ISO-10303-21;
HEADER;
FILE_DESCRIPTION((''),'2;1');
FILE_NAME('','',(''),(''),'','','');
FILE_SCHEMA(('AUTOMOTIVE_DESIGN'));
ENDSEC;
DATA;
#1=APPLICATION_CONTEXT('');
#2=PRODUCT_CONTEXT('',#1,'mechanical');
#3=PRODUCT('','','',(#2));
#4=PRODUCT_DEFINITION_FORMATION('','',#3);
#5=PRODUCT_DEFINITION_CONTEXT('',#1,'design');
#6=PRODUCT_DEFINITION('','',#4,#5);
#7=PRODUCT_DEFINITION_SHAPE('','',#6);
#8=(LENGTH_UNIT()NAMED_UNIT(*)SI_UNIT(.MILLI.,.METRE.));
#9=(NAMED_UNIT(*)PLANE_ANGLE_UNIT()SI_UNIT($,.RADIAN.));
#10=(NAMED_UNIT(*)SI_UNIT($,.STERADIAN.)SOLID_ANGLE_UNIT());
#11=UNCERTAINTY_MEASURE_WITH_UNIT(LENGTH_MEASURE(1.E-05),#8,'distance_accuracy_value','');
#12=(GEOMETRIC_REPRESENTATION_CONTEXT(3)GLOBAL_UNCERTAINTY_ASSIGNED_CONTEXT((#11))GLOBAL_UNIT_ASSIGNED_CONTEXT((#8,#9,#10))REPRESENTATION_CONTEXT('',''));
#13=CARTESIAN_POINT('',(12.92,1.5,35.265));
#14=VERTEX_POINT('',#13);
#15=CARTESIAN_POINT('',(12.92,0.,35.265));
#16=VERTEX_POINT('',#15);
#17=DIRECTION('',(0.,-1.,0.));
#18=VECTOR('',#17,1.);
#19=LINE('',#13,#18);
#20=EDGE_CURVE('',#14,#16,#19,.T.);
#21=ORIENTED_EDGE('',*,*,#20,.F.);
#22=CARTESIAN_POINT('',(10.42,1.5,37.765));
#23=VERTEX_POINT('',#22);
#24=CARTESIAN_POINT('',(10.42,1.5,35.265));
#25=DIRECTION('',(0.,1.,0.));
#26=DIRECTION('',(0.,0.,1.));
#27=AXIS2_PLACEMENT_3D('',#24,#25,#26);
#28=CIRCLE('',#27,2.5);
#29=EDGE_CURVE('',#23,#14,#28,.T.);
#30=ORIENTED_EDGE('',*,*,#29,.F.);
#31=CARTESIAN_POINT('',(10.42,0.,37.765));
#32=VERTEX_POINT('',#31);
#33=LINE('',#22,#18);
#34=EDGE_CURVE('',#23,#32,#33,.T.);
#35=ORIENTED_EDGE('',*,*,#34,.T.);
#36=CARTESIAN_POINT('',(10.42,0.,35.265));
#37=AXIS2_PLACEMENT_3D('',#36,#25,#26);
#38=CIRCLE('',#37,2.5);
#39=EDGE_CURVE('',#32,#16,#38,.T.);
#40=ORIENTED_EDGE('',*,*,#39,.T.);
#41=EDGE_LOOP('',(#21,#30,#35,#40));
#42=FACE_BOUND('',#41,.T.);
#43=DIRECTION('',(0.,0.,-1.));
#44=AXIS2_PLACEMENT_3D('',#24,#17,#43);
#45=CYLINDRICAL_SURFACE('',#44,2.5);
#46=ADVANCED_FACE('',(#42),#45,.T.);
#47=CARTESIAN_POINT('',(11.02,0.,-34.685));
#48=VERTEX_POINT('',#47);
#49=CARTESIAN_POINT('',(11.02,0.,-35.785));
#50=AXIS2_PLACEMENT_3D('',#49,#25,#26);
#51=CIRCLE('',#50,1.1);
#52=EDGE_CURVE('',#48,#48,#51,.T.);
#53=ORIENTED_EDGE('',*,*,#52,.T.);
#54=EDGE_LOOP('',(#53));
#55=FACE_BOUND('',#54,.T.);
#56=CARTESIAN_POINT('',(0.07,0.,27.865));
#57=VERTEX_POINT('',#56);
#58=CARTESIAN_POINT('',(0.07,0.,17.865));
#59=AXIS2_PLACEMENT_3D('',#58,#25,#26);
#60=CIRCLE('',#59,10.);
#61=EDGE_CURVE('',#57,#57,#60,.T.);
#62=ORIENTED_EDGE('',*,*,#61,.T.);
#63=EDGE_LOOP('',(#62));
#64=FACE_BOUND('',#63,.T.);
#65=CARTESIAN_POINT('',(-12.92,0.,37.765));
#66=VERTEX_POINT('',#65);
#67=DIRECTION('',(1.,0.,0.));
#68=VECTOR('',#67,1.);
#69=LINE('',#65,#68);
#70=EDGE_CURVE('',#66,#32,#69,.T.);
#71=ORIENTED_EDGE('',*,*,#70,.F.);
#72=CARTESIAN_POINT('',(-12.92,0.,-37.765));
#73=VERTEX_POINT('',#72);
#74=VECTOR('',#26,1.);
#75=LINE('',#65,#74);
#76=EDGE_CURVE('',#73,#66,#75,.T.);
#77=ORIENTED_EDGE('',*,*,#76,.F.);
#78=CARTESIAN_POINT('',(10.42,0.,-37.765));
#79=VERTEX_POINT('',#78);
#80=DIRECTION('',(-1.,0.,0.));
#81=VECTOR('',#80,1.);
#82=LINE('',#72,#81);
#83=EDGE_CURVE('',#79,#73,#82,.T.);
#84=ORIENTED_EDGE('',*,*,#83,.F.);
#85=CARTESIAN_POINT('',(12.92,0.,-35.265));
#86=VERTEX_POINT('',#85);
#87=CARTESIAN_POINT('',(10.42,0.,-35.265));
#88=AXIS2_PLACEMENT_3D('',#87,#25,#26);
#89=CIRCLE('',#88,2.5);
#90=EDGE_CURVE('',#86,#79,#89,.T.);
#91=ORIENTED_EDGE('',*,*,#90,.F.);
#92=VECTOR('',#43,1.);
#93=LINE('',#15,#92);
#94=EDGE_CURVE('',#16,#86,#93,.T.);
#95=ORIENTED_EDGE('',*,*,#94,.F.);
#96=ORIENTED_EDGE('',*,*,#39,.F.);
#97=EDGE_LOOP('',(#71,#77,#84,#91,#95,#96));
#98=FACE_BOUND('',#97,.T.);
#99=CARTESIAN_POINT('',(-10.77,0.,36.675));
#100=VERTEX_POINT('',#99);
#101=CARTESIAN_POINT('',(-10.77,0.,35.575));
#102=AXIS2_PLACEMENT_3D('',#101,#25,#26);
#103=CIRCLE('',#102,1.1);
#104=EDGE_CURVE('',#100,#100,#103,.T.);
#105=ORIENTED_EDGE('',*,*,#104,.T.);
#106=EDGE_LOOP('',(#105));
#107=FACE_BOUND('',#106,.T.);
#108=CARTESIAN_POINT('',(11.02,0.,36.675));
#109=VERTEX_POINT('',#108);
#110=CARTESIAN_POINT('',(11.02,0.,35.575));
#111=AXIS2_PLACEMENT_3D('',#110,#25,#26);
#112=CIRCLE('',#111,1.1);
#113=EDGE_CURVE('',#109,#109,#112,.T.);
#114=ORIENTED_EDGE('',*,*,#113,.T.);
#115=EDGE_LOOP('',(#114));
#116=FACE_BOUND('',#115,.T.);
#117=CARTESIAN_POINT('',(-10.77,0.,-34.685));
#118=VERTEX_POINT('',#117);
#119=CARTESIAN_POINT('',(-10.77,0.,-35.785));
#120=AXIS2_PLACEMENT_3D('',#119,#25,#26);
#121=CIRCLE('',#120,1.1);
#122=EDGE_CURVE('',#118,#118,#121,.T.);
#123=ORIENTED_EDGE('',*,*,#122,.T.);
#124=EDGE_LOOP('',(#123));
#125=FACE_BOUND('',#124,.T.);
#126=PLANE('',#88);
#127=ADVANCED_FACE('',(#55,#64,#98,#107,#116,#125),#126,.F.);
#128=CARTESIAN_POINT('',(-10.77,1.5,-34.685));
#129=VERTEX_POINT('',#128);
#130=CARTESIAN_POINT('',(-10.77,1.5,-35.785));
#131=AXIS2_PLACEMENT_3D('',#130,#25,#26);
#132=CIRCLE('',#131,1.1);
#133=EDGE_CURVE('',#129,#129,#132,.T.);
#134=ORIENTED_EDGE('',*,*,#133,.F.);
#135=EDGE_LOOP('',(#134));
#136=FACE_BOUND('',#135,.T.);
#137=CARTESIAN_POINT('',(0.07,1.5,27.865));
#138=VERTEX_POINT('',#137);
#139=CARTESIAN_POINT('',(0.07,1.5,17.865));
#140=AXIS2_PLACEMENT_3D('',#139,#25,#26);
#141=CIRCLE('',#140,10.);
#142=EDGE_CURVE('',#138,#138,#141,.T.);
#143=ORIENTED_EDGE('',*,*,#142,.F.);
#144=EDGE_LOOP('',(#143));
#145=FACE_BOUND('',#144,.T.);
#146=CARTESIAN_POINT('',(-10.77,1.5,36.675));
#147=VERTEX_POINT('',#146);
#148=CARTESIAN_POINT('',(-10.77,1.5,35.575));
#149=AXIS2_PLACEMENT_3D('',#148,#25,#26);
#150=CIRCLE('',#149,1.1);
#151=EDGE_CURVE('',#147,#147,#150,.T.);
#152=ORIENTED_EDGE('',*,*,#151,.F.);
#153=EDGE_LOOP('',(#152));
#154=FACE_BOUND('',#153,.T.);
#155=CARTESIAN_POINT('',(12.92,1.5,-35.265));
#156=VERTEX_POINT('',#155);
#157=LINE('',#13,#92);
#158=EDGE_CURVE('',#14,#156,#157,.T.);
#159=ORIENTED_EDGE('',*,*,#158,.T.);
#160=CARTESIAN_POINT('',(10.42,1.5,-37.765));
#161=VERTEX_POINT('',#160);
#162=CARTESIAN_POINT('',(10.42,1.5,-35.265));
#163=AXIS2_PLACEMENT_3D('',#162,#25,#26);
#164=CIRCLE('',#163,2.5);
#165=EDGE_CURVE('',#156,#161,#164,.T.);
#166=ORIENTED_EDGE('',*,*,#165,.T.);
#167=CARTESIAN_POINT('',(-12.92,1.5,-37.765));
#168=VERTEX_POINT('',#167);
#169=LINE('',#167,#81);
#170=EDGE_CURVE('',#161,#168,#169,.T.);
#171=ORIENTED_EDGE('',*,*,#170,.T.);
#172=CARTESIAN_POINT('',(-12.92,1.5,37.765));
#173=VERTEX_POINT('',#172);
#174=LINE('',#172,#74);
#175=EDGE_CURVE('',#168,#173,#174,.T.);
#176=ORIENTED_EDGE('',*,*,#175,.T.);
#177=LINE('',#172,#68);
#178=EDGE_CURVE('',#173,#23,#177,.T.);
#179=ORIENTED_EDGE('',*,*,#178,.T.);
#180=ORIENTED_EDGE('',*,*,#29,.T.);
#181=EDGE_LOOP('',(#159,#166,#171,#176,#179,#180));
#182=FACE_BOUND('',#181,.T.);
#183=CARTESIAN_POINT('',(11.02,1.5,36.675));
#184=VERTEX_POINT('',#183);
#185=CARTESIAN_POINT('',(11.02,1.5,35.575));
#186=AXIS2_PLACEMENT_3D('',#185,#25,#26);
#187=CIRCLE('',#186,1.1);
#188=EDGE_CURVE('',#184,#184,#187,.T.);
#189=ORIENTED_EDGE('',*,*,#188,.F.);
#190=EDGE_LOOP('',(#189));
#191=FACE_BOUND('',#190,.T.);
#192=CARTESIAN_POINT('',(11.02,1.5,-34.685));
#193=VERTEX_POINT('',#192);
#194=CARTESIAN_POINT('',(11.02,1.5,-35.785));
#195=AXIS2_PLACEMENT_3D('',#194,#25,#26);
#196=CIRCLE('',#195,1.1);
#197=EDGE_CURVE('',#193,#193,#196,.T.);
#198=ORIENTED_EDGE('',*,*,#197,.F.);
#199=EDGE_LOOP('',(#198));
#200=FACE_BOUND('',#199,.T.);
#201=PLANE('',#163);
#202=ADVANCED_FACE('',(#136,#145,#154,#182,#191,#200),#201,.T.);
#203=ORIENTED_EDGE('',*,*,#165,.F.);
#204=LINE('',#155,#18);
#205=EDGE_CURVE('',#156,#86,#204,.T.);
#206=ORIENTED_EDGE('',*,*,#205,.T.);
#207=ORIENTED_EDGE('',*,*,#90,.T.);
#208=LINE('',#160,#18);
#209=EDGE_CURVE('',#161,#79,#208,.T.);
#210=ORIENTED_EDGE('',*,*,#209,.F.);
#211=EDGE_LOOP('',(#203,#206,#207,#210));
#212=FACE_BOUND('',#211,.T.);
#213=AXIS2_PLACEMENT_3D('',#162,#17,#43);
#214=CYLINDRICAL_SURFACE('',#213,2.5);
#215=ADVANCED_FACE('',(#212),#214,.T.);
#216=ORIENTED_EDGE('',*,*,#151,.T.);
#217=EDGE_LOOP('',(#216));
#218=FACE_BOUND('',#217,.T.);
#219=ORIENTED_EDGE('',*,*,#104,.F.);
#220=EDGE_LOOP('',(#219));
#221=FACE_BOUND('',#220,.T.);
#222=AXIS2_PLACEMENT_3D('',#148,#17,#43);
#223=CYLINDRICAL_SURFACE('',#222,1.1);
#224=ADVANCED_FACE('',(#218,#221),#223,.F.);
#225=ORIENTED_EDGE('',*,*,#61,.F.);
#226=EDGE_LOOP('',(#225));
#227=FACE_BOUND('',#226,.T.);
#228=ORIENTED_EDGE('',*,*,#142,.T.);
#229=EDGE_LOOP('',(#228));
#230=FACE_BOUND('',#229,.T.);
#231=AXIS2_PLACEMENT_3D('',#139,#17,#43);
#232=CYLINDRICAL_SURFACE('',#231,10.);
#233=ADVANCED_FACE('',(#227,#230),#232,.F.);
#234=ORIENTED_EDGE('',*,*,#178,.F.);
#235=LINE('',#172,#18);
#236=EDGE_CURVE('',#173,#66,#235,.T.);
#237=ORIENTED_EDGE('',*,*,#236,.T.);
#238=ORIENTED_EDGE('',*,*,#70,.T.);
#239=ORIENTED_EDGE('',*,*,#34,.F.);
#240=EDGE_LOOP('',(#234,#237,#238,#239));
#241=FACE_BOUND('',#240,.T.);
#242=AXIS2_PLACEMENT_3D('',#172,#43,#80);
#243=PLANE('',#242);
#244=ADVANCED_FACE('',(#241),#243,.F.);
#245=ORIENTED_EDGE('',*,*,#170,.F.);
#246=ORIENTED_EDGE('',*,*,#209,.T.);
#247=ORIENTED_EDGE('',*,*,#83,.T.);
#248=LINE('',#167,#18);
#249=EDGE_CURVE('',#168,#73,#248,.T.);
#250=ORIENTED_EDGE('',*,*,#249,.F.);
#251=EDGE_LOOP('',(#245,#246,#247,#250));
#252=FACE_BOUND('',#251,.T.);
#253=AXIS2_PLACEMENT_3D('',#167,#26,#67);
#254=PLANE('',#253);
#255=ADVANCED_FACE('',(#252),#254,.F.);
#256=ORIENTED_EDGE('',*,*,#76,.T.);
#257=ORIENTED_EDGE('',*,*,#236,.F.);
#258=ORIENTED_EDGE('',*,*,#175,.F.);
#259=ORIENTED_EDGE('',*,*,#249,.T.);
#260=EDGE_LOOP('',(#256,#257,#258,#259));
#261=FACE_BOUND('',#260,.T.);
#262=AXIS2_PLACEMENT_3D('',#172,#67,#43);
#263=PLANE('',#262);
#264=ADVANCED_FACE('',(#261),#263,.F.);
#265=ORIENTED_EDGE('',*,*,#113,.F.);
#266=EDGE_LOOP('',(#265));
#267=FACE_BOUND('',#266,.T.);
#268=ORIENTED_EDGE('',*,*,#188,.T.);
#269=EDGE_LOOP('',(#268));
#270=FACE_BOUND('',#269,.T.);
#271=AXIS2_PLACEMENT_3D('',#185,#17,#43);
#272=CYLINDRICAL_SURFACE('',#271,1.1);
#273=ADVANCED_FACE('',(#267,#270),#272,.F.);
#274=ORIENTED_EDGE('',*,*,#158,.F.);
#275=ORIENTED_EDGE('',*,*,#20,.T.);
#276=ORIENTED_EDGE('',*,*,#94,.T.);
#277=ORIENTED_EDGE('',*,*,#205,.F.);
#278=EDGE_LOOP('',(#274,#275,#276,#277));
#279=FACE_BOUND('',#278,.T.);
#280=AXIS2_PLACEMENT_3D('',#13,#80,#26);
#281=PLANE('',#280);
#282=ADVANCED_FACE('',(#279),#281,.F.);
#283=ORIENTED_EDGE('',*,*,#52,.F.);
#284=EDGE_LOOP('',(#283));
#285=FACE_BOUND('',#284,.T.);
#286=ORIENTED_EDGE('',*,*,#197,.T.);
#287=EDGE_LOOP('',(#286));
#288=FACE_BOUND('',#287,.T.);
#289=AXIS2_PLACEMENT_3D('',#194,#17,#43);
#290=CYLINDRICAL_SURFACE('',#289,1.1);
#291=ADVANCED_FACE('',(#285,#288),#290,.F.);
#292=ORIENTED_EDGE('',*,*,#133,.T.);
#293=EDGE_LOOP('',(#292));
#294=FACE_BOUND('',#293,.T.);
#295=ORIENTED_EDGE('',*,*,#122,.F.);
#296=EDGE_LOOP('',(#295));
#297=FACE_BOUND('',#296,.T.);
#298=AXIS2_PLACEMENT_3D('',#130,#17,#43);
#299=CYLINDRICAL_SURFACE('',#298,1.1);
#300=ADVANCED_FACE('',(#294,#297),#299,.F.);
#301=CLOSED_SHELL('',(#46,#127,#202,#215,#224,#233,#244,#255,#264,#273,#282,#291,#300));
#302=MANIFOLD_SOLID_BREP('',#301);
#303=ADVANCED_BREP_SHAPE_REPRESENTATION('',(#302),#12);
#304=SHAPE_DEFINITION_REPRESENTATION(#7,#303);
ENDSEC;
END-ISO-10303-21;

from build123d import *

# Parameters (mm, degrees)
SKETCH1_R           = 1.1
SKETCH1_R_2         = 10
BOSS_EXTRUDE2_DEPTH = 1.5


with BuildPart() as part:
    # Sketch1 → Boss-Extrude2 (new body)
    with BuildSketch(Plane(origin=(0, 0, 0), x_dir=(1, 0, 0), z_dir=(0, 1, 0))):
        with BuildLine():
            Line((-12.92, 37.765), (10.42, 37.765))
            ThreePointArc((10.42, 37.765), (12.187766953, 37.032766953), (12.92, 35.265))
            Line((12.92, 35.265), (12.92, -35.265))
            ThreePointArc((12.92, -35.265), (12.187766953, -37.032766953), (10.42, -37.765))
            Line((10.42, -37.765), (-12.92, -37.765))
            Line((-12.92, -37.765), (-12.92, 37.765))
        make_face()
        with Locations(Location((11.02, 35.785, 0), (0, 0, 270))):
            Circle(SKETCH1_R, mode=Mode.SUBTRACT)
        with Locations(Location((-10.77, 35.785, 0), (0, 0, 270))):
            Circle(SKETCH1_R, mode=Mode.SUBTRACT)
        with Locations(Location((-10.77, -35.575, 0), (0, 0, 270))):
            Circle(SKETCH1_R, mode=Mode.SUBTRACT)
        with Locations(Location((11.02, -35.575, 0), (0, 0, 270))):
            Circle(SKETCH1_R, mode=Mode.SUBTRACT)
        with Locations(Location((0.07, -17.865, 0), (0, 0, 270))):
            Circle(SKETCH1_R_2, mode=Mode.SUBTRACT)
    extrude(amount=BOSS_EXTRUDE2_DEPTH)


solid = part.part
